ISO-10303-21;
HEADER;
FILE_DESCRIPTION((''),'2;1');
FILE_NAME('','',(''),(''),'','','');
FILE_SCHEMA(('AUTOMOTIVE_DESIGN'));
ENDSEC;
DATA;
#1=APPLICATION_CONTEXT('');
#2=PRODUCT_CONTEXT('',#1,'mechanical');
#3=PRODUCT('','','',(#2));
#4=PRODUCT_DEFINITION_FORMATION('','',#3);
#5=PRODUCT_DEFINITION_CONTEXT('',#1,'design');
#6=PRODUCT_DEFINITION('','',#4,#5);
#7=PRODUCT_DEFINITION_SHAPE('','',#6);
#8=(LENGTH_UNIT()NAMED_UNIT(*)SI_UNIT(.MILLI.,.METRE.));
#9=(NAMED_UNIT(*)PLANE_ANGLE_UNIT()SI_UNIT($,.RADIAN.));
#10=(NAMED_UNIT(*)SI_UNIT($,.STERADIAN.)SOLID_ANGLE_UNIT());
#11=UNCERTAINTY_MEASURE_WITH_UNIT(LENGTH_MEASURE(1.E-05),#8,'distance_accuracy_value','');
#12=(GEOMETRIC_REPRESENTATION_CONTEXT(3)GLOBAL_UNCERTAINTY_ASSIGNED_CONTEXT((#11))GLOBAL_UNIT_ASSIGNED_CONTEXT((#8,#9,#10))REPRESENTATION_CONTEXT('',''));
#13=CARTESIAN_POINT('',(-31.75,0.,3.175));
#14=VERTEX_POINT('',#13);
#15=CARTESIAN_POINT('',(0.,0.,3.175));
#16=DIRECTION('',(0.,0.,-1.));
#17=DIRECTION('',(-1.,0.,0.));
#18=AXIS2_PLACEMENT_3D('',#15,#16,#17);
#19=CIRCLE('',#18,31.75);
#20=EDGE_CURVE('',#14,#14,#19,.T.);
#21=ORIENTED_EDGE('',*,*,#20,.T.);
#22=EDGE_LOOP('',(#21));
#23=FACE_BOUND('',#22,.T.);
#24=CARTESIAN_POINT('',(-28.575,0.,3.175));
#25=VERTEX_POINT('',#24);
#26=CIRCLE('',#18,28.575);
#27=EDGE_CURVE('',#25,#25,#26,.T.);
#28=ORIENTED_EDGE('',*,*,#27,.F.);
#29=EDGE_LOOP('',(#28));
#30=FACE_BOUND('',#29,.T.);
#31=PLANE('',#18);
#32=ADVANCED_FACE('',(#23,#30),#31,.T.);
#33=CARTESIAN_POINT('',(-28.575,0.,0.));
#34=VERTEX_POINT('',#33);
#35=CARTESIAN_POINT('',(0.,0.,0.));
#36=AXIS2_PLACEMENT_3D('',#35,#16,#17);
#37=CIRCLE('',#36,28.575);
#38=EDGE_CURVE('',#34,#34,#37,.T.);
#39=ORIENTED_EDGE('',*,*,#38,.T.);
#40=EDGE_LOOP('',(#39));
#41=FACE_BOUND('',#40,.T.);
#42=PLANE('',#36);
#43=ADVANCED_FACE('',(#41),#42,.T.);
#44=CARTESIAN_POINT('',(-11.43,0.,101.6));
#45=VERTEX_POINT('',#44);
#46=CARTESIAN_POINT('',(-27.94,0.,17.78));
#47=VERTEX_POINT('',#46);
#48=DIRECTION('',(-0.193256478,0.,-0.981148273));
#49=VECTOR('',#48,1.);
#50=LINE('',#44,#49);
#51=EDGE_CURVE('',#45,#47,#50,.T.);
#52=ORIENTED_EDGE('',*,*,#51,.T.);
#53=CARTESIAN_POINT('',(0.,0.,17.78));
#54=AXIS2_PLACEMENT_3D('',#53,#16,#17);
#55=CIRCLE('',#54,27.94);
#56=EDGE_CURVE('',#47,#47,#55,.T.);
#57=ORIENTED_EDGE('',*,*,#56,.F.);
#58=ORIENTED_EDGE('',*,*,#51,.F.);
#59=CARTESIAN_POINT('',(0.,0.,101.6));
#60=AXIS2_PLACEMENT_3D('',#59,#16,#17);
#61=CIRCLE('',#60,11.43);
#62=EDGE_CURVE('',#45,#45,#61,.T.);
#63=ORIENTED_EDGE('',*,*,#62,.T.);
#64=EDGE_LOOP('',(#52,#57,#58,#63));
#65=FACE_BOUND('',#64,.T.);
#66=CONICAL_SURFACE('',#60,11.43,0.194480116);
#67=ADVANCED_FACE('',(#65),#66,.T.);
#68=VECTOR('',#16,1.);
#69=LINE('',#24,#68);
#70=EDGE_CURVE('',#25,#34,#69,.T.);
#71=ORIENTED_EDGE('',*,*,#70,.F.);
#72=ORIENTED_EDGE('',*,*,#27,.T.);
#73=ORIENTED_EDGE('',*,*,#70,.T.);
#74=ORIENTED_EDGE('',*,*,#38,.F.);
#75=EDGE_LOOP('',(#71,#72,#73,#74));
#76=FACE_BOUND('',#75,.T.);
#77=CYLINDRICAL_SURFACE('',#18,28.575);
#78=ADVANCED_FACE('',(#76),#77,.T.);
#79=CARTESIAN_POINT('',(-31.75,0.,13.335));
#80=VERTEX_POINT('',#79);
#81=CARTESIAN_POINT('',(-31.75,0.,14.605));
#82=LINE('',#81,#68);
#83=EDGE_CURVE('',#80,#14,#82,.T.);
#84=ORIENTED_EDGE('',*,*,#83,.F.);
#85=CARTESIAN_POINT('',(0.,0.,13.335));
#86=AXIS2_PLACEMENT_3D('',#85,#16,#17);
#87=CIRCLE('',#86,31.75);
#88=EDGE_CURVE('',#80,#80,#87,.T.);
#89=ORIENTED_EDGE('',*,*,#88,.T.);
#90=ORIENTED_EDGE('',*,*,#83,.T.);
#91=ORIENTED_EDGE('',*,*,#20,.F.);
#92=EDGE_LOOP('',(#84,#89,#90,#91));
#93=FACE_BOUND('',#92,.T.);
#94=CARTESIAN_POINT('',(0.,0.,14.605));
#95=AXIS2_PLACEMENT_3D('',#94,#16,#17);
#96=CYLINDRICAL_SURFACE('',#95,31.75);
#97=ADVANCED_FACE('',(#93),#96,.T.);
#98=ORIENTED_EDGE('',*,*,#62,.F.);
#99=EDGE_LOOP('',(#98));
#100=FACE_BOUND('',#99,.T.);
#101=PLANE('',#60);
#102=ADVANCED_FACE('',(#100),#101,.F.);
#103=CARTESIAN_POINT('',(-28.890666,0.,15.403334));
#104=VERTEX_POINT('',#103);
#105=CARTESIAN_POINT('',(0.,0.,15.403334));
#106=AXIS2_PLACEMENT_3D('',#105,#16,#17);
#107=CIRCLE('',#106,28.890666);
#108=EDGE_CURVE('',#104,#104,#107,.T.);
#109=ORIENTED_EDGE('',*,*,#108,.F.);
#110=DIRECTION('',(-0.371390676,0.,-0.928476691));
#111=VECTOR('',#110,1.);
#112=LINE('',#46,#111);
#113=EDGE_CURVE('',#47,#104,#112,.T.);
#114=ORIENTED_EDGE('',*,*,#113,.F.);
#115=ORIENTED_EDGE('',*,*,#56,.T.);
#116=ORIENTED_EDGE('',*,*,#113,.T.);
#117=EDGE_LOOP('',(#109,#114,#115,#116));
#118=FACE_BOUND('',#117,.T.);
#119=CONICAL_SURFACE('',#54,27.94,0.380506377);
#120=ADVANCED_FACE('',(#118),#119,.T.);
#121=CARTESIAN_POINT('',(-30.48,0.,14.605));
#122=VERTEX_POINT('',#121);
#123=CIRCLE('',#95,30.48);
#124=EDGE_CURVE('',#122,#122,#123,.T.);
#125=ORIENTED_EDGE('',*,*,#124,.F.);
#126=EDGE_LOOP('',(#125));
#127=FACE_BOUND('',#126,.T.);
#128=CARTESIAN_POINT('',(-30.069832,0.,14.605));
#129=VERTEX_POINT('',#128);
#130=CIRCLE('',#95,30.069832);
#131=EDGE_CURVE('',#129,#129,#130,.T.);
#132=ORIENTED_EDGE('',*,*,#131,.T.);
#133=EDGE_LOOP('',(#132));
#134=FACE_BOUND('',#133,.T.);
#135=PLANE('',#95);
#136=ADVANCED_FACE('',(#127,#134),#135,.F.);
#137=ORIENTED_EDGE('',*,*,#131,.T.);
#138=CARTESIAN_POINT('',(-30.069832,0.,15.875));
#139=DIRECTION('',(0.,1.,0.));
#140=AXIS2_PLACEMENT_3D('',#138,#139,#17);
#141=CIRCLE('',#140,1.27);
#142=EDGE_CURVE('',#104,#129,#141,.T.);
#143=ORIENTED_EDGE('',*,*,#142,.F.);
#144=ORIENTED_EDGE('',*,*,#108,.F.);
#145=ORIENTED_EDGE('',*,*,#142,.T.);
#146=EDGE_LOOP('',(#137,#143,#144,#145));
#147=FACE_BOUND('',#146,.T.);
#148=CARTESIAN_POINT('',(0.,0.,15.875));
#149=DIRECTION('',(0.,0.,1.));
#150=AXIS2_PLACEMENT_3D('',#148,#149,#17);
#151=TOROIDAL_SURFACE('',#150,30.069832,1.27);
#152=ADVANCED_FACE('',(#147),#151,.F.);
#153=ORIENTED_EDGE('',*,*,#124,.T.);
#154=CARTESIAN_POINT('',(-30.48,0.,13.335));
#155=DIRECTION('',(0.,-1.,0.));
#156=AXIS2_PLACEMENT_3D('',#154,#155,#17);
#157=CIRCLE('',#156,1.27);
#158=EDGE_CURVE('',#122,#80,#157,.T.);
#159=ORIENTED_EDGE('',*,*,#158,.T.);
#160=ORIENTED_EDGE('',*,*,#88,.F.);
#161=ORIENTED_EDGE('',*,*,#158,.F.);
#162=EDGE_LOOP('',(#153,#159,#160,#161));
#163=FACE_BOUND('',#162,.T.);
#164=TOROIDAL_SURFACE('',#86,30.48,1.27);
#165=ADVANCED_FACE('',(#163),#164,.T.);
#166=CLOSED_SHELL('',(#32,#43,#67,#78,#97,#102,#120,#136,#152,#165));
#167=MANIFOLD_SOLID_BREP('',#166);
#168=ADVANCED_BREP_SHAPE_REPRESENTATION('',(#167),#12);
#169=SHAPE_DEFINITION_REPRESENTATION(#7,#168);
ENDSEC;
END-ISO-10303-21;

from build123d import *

# Parameters (mm, degrees)
F2_R = 1.27
F3_R = 1.27


with BuildPart() as f1:
    # F0 (on Front) → F1 (revolve)
    with BuildSketch(Plane.XZ):
        Polygon((-28.575, 0), (0, 0), (0, 101.6), (-11.43, 101.6), (-27.94, 17.78), (-29.21, 14.605), (-31.75, 14.605), (-31.75, 3.175), (-28.575, 3.175), align=None)
    revolve(axis=Axis((0, 0, 50.8), (0, 0, -1)))

    # F2
    f2_edges = [f1.edges().sort_by_distance(p)[0] for p in [
        (29.21, 0, 14.605),
    ]]
    fillet(f2_edges, radius=F2_R)

    # F3
    f3_edges = [f1.edges().sort_by_distance(p)[0] for p in [
        (31.75, 0, 14.605),
    ]]
    fillet(f3_edges, radius=F3_R)


solid = f1.part
